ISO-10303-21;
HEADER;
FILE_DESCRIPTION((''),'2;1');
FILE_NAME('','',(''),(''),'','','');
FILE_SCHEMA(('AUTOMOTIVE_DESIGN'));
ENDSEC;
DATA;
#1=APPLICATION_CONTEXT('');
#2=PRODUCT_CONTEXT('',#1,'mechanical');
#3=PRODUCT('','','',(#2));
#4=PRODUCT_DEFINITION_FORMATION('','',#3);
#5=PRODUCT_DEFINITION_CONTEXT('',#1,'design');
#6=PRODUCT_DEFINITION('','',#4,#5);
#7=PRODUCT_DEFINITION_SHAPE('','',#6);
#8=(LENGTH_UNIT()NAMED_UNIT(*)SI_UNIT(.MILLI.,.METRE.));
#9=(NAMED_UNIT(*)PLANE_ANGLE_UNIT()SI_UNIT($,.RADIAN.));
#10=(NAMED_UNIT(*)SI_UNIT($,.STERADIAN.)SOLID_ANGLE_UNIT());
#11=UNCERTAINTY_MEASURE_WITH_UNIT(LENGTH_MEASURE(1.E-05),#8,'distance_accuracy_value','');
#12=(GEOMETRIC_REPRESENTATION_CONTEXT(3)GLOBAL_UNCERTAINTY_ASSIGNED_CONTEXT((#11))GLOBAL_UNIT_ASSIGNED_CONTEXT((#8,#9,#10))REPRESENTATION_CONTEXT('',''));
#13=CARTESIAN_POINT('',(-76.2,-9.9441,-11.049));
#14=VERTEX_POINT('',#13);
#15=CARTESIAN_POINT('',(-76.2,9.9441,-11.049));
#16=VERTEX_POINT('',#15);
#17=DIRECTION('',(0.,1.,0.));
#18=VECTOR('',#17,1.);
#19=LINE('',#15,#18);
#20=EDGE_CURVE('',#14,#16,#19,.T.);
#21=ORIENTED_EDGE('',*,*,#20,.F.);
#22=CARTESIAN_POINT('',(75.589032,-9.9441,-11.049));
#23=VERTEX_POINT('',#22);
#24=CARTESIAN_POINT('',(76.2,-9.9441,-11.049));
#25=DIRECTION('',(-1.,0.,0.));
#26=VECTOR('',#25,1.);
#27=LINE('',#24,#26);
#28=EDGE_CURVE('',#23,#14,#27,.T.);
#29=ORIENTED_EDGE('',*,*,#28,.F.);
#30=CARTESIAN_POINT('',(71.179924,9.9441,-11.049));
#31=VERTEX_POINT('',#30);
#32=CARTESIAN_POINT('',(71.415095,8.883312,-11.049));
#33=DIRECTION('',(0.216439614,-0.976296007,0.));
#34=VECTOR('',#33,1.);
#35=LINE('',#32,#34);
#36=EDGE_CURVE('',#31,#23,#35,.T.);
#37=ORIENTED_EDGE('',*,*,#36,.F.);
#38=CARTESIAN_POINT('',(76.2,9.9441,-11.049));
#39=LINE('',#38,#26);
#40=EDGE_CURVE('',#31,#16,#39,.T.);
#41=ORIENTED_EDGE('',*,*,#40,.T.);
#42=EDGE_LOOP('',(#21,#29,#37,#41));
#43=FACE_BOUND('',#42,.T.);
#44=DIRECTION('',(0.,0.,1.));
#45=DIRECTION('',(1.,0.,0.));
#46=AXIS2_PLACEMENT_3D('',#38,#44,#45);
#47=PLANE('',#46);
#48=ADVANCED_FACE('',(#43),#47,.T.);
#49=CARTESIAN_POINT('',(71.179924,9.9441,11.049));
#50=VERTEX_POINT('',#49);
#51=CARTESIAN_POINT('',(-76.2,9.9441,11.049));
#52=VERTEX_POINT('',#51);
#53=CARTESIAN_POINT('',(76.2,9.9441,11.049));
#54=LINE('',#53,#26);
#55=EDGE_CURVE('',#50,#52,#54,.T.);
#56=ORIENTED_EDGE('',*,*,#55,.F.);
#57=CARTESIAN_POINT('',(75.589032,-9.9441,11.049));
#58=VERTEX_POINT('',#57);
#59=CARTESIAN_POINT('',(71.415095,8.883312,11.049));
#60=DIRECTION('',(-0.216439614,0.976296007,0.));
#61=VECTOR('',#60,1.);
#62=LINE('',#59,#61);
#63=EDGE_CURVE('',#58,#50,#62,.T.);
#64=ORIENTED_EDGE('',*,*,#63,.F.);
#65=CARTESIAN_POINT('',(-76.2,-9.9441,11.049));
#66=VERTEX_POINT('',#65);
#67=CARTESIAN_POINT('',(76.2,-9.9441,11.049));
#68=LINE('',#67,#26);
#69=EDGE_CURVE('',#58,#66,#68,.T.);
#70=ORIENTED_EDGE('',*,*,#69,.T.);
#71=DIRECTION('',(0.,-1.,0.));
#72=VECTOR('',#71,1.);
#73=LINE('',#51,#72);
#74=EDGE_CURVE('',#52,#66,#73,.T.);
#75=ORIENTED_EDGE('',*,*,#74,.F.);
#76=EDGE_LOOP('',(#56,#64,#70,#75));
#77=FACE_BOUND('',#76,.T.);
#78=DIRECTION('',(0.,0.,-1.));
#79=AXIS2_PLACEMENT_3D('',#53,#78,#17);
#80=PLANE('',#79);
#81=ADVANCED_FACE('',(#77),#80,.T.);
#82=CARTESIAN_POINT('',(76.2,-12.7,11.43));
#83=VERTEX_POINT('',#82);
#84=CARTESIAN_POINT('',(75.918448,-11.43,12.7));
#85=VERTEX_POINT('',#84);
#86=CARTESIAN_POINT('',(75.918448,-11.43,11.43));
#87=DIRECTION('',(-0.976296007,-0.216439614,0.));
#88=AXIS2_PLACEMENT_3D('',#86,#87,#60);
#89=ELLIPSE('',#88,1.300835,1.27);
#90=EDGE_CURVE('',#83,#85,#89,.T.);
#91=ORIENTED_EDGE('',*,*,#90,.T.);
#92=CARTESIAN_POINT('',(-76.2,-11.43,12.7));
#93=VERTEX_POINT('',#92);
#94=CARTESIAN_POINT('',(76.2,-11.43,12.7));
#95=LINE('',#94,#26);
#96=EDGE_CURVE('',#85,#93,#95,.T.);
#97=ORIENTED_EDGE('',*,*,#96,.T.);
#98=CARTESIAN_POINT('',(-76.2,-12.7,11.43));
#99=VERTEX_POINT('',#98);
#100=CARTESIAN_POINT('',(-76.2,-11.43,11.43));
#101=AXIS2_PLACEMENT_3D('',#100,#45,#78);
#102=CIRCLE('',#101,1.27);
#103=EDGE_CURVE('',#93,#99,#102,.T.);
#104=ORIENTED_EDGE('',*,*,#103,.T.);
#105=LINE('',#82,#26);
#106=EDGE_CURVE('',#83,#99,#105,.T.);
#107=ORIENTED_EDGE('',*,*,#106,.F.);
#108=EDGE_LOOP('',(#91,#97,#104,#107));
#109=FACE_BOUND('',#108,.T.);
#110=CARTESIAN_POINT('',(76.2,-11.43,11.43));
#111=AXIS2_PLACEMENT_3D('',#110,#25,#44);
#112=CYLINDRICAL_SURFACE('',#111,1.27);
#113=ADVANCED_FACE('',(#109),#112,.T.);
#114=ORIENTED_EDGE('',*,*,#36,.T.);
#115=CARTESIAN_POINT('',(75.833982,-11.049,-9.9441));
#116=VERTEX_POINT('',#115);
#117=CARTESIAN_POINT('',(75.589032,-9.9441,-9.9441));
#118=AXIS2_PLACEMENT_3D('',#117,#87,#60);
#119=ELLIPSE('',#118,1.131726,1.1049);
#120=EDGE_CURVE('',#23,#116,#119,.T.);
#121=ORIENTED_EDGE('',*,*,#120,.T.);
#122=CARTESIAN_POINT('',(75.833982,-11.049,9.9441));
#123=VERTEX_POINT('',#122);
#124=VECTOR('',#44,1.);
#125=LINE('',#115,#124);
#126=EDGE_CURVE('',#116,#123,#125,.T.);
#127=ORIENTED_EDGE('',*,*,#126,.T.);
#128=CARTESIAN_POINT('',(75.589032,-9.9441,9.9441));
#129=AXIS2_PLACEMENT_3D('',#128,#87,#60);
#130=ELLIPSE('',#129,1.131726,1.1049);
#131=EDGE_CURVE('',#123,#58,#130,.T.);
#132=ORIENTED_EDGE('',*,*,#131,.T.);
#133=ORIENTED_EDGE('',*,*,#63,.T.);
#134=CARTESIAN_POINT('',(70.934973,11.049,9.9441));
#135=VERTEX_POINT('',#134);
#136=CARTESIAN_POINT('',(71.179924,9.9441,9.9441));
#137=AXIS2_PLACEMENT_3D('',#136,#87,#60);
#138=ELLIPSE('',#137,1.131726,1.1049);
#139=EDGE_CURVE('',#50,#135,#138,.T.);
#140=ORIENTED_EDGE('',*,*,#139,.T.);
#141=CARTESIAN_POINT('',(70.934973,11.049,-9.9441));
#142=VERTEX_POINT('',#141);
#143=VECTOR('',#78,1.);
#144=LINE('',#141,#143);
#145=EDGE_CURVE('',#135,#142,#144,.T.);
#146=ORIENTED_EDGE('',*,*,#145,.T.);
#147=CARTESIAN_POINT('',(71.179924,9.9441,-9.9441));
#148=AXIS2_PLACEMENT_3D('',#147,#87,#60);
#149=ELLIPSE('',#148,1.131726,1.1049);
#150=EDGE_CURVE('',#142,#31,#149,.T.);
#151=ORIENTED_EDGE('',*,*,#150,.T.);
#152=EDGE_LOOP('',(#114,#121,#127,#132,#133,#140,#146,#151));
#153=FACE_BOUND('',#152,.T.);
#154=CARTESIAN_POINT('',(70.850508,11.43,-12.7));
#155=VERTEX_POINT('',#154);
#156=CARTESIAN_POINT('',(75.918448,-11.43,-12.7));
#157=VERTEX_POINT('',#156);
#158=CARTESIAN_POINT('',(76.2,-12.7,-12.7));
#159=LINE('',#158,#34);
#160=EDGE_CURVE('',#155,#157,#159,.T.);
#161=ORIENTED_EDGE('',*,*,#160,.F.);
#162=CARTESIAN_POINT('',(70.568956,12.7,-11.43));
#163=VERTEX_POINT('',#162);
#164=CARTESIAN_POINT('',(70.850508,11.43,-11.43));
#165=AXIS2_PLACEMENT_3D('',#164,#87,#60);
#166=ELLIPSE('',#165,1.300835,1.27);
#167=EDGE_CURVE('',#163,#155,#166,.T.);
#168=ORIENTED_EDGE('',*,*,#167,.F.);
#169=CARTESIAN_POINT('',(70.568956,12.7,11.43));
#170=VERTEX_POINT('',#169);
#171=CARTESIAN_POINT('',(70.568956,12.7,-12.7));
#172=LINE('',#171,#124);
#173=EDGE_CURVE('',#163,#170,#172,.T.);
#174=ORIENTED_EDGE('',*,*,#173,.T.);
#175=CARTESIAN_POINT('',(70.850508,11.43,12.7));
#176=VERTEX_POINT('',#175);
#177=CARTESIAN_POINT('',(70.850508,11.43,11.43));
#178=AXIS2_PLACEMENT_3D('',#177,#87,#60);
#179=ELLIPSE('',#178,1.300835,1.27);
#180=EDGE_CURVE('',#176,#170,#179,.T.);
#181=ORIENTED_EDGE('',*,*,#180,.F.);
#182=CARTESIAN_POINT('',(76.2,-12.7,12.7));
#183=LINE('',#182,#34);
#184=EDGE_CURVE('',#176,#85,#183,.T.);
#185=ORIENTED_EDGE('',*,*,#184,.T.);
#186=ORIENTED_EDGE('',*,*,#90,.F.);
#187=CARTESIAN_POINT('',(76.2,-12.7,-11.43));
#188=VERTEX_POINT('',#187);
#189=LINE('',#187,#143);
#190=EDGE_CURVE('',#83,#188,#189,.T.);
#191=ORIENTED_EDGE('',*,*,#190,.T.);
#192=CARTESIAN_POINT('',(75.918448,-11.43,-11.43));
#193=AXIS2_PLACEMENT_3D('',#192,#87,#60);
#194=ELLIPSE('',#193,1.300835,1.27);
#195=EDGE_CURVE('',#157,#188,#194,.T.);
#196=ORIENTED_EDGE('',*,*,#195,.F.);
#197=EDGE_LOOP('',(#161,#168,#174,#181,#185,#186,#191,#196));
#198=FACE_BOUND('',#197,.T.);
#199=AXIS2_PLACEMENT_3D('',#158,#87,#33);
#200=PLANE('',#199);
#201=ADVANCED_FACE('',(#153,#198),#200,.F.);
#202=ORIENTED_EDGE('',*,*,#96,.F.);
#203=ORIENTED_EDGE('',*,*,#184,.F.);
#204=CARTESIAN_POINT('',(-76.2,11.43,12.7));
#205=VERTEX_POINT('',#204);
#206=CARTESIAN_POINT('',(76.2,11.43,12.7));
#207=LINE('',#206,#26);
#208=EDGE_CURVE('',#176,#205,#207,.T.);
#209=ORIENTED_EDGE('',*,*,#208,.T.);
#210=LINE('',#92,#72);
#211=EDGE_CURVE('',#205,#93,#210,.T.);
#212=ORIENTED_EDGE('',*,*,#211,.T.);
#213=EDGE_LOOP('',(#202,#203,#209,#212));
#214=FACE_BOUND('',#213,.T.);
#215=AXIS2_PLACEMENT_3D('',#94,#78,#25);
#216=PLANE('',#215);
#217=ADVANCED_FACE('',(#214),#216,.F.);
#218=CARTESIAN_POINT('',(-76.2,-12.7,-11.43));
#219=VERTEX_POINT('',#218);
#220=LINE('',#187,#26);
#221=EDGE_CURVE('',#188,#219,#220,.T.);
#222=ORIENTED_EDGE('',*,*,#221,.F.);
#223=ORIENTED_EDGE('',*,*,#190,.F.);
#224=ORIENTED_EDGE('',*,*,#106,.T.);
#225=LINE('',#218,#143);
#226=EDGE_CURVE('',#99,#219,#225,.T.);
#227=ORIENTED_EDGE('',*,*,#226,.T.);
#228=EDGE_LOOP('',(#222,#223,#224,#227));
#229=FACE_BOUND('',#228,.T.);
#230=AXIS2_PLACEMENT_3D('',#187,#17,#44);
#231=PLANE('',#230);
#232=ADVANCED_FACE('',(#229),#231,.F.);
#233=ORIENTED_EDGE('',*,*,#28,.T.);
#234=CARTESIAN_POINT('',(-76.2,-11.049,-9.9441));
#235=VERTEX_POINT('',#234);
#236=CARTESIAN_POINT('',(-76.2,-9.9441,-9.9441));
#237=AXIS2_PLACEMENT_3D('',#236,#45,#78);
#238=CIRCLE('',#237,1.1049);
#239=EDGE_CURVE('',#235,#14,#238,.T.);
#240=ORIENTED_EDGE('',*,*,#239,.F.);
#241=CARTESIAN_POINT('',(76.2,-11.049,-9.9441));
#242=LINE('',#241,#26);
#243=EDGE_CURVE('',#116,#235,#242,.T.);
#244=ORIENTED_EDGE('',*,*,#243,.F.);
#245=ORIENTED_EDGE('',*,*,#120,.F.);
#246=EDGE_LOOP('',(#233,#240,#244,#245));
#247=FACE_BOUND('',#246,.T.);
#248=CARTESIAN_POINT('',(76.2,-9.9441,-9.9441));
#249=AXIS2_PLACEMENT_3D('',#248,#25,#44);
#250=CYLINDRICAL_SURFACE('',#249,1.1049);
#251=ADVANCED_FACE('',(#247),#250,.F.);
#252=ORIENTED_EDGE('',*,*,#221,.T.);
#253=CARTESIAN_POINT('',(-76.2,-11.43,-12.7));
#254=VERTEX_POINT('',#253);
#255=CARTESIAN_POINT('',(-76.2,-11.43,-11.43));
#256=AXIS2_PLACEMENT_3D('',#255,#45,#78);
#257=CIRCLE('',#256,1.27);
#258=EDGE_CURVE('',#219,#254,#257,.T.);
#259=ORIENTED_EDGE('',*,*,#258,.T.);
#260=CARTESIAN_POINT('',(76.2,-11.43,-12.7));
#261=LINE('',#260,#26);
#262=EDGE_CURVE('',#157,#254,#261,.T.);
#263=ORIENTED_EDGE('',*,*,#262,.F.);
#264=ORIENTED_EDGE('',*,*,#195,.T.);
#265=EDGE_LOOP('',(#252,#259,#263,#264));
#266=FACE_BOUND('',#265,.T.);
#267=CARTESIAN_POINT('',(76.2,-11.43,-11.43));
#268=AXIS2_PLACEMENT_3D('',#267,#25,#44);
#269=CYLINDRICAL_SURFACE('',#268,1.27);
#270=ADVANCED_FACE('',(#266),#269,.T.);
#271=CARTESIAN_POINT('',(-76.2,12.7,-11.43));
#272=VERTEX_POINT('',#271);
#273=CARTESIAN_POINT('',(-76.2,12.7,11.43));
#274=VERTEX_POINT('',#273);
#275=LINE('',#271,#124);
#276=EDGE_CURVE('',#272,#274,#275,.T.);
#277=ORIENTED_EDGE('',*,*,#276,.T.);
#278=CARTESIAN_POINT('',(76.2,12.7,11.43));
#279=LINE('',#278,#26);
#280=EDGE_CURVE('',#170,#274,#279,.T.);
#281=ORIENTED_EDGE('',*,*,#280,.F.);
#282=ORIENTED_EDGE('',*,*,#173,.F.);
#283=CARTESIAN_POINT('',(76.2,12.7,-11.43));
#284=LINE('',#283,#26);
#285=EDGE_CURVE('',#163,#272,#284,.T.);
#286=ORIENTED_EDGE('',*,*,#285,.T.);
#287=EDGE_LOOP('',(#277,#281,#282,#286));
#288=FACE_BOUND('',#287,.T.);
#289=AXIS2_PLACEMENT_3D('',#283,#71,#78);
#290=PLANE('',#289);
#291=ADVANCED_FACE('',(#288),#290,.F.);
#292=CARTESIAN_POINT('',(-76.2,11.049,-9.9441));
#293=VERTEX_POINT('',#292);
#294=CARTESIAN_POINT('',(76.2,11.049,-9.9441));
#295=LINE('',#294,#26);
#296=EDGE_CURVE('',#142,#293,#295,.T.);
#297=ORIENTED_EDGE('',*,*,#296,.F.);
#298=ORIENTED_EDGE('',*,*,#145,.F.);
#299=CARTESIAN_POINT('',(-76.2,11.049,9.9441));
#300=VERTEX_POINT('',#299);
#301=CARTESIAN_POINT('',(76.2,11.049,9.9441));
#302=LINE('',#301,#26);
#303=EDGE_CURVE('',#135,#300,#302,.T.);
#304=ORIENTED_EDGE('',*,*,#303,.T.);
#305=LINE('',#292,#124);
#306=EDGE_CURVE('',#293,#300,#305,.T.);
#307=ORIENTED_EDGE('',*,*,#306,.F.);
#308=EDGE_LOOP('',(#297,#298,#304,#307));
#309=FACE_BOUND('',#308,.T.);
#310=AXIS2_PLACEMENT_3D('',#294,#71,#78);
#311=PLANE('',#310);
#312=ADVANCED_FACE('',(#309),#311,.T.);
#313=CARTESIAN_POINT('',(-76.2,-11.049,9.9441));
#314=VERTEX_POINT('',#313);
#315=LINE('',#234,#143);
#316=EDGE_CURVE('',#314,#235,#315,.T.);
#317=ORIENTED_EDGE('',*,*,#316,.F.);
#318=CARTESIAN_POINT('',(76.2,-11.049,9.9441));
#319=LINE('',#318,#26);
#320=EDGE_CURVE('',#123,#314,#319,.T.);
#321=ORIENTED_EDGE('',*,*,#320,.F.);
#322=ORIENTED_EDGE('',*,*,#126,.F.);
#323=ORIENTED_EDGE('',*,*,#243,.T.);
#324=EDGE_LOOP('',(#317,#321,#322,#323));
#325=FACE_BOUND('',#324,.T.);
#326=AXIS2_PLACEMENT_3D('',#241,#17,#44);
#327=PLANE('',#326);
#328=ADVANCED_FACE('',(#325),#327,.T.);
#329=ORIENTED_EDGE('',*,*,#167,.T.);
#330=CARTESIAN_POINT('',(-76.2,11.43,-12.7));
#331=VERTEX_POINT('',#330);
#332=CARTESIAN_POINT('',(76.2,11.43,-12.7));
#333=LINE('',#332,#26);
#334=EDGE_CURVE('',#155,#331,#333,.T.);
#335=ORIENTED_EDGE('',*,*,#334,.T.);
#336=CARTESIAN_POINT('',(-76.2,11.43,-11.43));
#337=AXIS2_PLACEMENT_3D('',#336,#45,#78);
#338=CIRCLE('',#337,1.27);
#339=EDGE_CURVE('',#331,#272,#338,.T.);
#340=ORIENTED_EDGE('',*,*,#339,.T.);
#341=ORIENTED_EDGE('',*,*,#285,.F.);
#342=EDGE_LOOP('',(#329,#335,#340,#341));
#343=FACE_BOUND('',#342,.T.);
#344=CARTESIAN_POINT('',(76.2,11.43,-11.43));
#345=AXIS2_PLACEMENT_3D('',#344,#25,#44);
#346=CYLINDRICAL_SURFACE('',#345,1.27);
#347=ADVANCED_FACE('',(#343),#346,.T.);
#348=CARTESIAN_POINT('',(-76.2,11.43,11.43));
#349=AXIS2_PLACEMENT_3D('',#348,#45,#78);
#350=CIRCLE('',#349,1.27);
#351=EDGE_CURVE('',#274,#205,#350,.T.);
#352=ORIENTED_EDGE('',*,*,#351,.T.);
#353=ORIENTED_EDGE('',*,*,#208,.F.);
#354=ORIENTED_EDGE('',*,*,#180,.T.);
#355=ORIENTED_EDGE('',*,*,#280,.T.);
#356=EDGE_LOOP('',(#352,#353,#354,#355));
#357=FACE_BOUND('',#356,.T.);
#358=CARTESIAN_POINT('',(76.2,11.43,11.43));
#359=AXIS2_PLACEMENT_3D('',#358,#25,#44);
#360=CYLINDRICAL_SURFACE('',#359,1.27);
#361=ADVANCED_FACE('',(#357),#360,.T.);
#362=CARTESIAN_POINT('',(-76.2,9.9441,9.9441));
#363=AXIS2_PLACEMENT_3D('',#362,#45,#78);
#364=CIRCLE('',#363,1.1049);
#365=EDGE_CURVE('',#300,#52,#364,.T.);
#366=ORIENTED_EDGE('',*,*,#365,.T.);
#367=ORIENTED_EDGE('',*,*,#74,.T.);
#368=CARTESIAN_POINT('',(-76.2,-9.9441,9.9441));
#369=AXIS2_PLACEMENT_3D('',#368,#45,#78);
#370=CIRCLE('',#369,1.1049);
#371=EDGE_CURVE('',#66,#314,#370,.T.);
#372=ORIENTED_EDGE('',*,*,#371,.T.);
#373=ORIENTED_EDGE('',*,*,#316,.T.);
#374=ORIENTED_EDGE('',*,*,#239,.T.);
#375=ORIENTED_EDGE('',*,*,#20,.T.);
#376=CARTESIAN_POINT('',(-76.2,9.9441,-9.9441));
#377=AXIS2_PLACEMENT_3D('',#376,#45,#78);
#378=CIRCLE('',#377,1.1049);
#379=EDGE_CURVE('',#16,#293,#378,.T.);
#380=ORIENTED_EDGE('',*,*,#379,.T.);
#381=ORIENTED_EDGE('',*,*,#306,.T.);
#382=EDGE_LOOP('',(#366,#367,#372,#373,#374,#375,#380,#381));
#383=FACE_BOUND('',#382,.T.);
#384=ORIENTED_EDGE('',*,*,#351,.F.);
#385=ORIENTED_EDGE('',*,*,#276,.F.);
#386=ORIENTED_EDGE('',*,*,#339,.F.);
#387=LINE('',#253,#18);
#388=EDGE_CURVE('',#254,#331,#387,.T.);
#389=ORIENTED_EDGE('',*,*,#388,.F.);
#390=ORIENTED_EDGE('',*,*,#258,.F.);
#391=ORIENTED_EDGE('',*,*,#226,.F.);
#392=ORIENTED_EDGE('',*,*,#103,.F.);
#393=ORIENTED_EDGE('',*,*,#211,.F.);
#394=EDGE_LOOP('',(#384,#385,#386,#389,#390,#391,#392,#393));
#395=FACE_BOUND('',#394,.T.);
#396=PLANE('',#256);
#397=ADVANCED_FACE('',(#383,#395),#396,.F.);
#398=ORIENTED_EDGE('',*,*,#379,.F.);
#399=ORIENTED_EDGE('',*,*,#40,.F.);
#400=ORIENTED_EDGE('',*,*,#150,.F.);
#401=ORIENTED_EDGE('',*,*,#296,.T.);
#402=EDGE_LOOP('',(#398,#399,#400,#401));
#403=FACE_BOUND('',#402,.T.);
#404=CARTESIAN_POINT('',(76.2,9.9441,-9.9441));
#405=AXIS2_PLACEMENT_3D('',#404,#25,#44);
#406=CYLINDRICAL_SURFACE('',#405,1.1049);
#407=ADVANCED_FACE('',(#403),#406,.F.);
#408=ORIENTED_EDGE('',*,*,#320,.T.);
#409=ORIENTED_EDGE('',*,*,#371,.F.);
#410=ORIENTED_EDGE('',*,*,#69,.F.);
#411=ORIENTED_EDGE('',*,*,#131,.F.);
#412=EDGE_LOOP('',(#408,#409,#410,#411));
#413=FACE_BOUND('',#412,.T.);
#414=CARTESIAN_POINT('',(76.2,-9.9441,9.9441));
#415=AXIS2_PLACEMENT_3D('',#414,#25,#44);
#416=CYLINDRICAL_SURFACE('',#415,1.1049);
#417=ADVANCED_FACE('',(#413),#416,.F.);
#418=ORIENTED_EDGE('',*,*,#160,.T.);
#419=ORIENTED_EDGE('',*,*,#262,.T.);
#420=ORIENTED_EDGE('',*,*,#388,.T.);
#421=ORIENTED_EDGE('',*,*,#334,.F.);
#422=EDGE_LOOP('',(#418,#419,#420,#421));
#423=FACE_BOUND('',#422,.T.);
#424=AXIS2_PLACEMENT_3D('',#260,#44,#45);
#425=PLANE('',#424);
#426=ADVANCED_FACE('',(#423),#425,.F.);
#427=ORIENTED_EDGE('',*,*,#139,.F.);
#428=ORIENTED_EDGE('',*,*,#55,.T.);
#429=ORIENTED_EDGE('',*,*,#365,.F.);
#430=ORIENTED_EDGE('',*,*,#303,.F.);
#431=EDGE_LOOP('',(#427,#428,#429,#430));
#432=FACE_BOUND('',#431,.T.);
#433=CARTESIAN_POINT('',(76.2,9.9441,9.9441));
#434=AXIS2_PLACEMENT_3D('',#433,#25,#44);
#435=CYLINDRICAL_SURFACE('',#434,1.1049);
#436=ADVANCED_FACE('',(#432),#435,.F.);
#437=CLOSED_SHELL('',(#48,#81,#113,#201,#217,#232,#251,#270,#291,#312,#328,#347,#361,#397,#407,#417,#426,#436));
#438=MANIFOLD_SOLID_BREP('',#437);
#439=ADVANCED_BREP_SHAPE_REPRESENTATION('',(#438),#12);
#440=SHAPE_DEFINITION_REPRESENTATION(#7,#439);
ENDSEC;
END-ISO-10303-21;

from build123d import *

# Parameters (mm, degrees)
BOSS_EXTRUDE1_DEPTH      = 76.2
BOSS_EXTRUDE1_DEPTH_BACK = 76.2
CUT_EXTRUDE1_DEPTH       = 82.319677815


with BuildPart() as part:
    # Sketch4 → Boss-Extrude1 (new, two sides: drawn at the far end of the back side and taken through both)
    with BuildSketch(Plane(origin=(0, 0, 0), x_dir=(0, 0, -1), z_dir=(1, 0, 0)).offset(-BOSS_EXTRUDE1_DEPTH_BACK)):
        with BuildLine():
            Line((12.7, -11.43), (12.7, 11.43))
            ThreePointArc((12.7, 11.43), (12.328025612, 12.328025612), (11.43, 12.7))
            Line((11.43, 12.7), (-11.43, 12.7))
            ThreePointArc((-11.43, 12.7), (-12.328025612, 12.328025612), (-12.7, 11.43))
            Line((-12.7, 11.43), (-12.7, -11.43))
            ThreePointArc((-12.7, -11.43), (-12.328025612, -12.328025612), (-11.43, -12.7))
            Line((-11.43, -12.7), (11.43, -12.7))
            ThreePointArc((11.43, -12.7), (12.328025612, -12.328025612), (12.7, -11.43))
        make_face()
        with BuildLine():
            Line((11.049, 9.9441), (11.049, -9.9441))
            ThreePointArc((11.049, -9.9441), (10.725382283, -10.725382283), (9.9441, -11.049))
            Line((9.9441, -11.049), (-9.9441, -11.049))
            ThreePointArc((-9.9441, -11.049), (-10.725382283, -10.725382283), (-11.049, -9.9441))
            Line((-11.049, -9.9441), (-11.049, 9.9441))
            ThreePointArc((-11.049, 9.9441), (-10.725382283, 10.725382283), (-9.9441, 11.049))
            Line((-9.9441, 11.049), (9.9441, 11.049))
            ThreePointArc((9.9441, 11.049), (10.725382283, 10.725382283), (11.049, 9.9441))
        make_face(mode=Mode.SUBTRACT)
    extrude(amount=BOSS_EXTRUDE1_DEPTH + BOSS_EXTRUDE1_DEPTH_BACK)

    # Sketch5 → Cut-Extrude1 (cut, through all)
    with BuildSketch(Plane.XY.offset(12.7)):
        Polygon((76.2, -12.7), (70.568955569, 12.7), (76.2, 12.7), align=None)
    extrude(amount=-CUT_EXTRUDE1_DEPTH, mode=Mode.SUBTRACT)


solid = part.part
